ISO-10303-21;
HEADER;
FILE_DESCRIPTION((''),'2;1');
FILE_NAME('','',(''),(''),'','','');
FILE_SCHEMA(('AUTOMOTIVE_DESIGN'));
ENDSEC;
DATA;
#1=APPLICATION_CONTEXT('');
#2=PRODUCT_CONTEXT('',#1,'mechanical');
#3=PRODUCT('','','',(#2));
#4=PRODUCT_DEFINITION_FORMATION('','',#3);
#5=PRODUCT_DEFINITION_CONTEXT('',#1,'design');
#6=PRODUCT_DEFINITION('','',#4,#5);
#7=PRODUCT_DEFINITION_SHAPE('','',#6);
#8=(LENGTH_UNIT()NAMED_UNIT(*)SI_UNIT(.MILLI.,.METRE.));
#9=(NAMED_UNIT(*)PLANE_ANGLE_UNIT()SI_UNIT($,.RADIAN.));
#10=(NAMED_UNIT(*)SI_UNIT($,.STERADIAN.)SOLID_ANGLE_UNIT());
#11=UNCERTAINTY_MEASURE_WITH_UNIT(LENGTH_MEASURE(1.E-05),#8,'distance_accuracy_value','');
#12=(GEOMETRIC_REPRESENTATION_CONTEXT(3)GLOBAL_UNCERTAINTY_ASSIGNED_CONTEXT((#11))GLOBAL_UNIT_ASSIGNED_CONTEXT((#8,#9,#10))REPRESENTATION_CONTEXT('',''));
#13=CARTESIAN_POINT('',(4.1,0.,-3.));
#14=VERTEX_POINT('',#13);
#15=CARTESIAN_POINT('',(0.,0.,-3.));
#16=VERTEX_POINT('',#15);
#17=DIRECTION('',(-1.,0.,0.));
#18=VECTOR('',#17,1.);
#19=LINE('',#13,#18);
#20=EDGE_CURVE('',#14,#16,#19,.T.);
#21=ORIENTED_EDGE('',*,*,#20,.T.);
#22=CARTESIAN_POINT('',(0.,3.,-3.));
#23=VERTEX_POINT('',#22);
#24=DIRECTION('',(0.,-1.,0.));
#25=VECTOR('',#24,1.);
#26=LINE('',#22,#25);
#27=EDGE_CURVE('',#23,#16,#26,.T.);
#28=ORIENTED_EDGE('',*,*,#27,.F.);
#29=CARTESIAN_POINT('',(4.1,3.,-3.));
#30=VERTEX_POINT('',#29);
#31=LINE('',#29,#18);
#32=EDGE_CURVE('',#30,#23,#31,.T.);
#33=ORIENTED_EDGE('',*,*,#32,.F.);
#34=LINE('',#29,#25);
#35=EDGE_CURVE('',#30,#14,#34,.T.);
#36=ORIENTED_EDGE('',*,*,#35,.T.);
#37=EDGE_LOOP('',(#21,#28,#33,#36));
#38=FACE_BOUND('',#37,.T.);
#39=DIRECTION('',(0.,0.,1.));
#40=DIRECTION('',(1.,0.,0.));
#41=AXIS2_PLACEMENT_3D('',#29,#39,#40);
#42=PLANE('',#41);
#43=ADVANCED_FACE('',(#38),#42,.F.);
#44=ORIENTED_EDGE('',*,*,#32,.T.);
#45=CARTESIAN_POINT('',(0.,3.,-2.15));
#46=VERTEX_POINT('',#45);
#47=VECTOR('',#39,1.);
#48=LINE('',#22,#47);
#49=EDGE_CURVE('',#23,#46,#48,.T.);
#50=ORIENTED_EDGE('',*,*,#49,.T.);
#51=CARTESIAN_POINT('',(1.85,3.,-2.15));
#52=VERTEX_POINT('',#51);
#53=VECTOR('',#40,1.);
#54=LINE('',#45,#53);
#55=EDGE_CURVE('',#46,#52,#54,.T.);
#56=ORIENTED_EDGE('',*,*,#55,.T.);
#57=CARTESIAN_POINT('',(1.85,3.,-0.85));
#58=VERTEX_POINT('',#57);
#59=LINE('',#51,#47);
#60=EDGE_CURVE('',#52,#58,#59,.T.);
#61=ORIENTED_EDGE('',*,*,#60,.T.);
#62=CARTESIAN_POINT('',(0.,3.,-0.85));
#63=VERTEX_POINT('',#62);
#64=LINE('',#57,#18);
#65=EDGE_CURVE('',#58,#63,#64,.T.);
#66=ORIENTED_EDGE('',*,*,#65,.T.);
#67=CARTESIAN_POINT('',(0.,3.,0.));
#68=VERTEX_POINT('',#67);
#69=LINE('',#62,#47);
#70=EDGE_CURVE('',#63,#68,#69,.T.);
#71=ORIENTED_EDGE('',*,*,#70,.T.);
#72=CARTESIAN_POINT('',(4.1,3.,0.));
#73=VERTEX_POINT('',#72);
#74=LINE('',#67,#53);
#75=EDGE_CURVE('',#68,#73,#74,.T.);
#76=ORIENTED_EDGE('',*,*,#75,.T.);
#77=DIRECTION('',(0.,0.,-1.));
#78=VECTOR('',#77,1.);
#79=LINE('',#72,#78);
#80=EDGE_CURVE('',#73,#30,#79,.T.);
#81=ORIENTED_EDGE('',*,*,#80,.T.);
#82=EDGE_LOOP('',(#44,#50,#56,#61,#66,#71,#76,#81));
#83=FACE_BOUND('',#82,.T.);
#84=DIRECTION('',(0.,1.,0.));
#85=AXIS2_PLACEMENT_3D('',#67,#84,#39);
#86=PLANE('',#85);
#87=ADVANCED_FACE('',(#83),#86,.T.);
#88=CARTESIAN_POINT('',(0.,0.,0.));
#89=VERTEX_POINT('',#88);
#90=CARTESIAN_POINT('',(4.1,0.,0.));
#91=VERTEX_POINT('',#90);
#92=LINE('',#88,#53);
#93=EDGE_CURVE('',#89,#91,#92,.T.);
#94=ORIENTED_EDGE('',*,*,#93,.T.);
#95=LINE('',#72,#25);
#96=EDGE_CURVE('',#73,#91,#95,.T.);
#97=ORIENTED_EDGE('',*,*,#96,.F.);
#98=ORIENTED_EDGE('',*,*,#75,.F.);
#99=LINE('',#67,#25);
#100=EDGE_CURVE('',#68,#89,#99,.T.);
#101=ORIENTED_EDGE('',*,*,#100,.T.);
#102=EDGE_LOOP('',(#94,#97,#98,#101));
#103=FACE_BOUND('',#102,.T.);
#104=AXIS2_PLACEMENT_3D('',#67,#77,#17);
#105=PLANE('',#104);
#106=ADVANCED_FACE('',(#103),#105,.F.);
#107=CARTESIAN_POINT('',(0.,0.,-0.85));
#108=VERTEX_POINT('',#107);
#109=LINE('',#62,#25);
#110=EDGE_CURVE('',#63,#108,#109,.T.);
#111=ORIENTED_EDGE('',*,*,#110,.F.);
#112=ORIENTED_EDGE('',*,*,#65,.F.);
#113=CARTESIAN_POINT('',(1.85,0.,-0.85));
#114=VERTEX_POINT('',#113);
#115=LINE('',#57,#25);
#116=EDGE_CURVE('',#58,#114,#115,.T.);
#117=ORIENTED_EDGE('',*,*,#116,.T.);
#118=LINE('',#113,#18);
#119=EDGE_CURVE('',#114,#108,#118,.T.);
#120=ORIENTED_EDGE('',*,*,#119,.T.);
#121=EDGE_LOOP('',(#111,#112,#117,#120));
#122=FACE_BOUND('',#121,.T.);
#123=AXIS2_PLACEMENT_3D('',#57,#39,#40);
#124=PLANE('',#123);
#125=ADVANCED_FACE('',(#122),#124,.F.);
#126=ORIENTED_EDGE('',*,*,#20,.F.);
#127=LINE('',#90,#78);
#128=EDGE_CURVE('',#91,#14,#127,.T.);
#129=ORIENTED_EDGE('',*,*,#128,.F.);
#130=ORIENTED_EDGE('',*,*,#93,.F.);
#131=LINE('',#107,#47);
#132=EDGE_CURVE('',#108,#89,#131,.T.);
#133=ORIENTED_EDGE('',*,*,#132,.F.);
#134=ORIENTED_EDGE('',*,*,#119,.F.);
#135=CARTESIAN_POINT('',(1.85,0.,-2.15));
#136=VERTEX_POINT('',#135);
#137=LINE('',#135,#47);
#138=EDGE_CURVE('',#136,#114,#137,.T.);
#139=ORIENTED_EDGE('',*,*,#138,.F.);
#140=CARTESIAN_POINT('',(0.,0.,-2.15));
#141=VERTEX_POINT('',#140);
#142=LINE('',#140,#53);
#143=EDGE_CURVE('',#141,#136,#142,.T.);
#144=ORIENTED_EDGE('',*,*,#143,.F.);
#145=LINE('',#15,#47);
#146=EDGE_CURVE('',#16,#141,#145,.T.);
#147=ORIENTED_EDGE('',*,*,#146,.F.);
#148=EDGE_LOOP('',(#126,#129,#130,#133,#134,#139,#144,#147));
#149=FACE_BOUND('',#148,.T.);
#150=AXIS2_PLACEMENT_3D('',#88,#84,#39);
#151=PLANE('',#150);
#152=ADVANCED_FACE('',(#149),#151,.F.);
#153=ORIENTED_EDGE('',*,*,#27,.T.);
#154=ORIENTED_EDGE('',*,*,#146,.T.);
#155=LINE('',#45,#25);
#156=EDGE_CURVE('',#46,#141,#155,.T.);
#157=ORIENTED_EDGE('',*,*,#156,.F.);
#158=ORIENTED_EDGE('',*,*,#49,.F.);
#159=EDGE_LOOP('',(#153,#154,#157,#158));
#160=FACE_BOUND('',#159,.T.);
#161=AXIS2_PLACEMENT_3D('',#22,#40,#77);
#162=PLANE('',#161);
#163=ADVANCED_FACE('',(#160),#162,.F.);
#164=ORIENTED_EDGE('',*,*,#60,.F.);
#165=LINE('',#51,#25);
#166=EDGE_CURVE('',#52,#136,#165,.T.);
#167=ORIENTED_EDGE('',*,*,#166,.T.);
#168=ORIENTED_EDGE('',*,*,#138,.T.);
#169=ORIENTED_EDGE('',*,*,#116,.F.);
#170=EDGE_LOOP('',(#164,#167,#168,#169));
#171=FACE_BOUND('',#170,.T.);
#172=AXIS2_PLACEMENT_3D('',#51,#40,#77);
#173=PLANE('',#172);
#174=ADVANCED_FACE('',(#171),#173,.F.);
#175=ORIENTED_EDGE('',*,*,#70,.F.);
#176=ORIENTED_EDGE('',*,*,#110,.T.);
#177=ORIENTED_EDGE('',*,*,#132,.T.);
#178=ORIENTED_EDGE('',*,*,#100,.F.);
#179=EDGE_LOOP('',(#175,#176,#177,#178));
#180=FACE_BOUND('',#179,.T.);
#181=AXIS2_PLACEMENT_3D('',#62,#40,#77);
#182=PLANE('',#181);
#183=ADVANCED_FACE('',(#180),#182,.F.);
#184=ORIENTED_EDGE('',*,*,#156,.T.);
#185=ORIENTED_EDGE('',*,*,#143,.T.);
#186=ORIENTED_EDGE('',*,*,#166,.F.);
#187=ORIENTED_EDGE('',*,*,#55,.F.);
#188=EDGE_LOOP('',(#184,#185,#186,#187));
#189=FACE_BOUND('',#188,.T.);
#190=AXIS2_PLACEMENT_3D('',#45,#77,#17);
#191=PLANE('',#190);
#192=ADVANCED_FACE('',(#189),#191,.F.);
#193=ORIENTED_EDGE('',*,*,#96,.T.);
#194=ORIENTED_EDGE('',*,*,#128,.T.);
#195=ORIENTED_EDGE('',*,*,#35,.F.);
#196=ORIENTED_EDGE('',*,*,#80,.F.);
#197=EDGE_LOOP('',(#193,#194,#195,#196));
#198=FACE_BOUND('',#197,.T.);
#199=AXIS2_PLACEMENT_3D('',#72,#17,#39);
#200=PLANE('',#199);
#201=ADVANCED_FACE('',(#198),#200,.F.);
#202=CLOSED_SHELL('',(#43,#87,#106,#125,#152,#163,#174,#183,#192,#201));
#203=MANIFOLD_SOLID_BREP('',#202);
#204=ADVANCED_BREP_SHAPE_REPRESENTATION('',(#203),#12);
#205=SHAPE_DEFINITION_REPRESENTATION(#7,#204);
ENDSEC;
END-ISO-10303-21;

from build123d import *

# Parameters (mm, degrees)
BOSS_EXTRUDE1_DEPTH = 3


with BuildPart() as part:
    # Sketch1 → Boss-Extrude1 (new body)
    with BuildSketch(Plane(origin=(0, 0, 0), x_dir=(1, 0, 0), z_dir=(0, 1, 0))):
        Polygon((0, 0), (4.1, 0), (4.1, 3), (0, 3), (0, 2.15), (1.85, 2.15), (1.85, 0.85), (0, 0.85), align=None)
    extrude(amount=BOSS_EXTRUDE1_DEPTH)


solid = part.part
